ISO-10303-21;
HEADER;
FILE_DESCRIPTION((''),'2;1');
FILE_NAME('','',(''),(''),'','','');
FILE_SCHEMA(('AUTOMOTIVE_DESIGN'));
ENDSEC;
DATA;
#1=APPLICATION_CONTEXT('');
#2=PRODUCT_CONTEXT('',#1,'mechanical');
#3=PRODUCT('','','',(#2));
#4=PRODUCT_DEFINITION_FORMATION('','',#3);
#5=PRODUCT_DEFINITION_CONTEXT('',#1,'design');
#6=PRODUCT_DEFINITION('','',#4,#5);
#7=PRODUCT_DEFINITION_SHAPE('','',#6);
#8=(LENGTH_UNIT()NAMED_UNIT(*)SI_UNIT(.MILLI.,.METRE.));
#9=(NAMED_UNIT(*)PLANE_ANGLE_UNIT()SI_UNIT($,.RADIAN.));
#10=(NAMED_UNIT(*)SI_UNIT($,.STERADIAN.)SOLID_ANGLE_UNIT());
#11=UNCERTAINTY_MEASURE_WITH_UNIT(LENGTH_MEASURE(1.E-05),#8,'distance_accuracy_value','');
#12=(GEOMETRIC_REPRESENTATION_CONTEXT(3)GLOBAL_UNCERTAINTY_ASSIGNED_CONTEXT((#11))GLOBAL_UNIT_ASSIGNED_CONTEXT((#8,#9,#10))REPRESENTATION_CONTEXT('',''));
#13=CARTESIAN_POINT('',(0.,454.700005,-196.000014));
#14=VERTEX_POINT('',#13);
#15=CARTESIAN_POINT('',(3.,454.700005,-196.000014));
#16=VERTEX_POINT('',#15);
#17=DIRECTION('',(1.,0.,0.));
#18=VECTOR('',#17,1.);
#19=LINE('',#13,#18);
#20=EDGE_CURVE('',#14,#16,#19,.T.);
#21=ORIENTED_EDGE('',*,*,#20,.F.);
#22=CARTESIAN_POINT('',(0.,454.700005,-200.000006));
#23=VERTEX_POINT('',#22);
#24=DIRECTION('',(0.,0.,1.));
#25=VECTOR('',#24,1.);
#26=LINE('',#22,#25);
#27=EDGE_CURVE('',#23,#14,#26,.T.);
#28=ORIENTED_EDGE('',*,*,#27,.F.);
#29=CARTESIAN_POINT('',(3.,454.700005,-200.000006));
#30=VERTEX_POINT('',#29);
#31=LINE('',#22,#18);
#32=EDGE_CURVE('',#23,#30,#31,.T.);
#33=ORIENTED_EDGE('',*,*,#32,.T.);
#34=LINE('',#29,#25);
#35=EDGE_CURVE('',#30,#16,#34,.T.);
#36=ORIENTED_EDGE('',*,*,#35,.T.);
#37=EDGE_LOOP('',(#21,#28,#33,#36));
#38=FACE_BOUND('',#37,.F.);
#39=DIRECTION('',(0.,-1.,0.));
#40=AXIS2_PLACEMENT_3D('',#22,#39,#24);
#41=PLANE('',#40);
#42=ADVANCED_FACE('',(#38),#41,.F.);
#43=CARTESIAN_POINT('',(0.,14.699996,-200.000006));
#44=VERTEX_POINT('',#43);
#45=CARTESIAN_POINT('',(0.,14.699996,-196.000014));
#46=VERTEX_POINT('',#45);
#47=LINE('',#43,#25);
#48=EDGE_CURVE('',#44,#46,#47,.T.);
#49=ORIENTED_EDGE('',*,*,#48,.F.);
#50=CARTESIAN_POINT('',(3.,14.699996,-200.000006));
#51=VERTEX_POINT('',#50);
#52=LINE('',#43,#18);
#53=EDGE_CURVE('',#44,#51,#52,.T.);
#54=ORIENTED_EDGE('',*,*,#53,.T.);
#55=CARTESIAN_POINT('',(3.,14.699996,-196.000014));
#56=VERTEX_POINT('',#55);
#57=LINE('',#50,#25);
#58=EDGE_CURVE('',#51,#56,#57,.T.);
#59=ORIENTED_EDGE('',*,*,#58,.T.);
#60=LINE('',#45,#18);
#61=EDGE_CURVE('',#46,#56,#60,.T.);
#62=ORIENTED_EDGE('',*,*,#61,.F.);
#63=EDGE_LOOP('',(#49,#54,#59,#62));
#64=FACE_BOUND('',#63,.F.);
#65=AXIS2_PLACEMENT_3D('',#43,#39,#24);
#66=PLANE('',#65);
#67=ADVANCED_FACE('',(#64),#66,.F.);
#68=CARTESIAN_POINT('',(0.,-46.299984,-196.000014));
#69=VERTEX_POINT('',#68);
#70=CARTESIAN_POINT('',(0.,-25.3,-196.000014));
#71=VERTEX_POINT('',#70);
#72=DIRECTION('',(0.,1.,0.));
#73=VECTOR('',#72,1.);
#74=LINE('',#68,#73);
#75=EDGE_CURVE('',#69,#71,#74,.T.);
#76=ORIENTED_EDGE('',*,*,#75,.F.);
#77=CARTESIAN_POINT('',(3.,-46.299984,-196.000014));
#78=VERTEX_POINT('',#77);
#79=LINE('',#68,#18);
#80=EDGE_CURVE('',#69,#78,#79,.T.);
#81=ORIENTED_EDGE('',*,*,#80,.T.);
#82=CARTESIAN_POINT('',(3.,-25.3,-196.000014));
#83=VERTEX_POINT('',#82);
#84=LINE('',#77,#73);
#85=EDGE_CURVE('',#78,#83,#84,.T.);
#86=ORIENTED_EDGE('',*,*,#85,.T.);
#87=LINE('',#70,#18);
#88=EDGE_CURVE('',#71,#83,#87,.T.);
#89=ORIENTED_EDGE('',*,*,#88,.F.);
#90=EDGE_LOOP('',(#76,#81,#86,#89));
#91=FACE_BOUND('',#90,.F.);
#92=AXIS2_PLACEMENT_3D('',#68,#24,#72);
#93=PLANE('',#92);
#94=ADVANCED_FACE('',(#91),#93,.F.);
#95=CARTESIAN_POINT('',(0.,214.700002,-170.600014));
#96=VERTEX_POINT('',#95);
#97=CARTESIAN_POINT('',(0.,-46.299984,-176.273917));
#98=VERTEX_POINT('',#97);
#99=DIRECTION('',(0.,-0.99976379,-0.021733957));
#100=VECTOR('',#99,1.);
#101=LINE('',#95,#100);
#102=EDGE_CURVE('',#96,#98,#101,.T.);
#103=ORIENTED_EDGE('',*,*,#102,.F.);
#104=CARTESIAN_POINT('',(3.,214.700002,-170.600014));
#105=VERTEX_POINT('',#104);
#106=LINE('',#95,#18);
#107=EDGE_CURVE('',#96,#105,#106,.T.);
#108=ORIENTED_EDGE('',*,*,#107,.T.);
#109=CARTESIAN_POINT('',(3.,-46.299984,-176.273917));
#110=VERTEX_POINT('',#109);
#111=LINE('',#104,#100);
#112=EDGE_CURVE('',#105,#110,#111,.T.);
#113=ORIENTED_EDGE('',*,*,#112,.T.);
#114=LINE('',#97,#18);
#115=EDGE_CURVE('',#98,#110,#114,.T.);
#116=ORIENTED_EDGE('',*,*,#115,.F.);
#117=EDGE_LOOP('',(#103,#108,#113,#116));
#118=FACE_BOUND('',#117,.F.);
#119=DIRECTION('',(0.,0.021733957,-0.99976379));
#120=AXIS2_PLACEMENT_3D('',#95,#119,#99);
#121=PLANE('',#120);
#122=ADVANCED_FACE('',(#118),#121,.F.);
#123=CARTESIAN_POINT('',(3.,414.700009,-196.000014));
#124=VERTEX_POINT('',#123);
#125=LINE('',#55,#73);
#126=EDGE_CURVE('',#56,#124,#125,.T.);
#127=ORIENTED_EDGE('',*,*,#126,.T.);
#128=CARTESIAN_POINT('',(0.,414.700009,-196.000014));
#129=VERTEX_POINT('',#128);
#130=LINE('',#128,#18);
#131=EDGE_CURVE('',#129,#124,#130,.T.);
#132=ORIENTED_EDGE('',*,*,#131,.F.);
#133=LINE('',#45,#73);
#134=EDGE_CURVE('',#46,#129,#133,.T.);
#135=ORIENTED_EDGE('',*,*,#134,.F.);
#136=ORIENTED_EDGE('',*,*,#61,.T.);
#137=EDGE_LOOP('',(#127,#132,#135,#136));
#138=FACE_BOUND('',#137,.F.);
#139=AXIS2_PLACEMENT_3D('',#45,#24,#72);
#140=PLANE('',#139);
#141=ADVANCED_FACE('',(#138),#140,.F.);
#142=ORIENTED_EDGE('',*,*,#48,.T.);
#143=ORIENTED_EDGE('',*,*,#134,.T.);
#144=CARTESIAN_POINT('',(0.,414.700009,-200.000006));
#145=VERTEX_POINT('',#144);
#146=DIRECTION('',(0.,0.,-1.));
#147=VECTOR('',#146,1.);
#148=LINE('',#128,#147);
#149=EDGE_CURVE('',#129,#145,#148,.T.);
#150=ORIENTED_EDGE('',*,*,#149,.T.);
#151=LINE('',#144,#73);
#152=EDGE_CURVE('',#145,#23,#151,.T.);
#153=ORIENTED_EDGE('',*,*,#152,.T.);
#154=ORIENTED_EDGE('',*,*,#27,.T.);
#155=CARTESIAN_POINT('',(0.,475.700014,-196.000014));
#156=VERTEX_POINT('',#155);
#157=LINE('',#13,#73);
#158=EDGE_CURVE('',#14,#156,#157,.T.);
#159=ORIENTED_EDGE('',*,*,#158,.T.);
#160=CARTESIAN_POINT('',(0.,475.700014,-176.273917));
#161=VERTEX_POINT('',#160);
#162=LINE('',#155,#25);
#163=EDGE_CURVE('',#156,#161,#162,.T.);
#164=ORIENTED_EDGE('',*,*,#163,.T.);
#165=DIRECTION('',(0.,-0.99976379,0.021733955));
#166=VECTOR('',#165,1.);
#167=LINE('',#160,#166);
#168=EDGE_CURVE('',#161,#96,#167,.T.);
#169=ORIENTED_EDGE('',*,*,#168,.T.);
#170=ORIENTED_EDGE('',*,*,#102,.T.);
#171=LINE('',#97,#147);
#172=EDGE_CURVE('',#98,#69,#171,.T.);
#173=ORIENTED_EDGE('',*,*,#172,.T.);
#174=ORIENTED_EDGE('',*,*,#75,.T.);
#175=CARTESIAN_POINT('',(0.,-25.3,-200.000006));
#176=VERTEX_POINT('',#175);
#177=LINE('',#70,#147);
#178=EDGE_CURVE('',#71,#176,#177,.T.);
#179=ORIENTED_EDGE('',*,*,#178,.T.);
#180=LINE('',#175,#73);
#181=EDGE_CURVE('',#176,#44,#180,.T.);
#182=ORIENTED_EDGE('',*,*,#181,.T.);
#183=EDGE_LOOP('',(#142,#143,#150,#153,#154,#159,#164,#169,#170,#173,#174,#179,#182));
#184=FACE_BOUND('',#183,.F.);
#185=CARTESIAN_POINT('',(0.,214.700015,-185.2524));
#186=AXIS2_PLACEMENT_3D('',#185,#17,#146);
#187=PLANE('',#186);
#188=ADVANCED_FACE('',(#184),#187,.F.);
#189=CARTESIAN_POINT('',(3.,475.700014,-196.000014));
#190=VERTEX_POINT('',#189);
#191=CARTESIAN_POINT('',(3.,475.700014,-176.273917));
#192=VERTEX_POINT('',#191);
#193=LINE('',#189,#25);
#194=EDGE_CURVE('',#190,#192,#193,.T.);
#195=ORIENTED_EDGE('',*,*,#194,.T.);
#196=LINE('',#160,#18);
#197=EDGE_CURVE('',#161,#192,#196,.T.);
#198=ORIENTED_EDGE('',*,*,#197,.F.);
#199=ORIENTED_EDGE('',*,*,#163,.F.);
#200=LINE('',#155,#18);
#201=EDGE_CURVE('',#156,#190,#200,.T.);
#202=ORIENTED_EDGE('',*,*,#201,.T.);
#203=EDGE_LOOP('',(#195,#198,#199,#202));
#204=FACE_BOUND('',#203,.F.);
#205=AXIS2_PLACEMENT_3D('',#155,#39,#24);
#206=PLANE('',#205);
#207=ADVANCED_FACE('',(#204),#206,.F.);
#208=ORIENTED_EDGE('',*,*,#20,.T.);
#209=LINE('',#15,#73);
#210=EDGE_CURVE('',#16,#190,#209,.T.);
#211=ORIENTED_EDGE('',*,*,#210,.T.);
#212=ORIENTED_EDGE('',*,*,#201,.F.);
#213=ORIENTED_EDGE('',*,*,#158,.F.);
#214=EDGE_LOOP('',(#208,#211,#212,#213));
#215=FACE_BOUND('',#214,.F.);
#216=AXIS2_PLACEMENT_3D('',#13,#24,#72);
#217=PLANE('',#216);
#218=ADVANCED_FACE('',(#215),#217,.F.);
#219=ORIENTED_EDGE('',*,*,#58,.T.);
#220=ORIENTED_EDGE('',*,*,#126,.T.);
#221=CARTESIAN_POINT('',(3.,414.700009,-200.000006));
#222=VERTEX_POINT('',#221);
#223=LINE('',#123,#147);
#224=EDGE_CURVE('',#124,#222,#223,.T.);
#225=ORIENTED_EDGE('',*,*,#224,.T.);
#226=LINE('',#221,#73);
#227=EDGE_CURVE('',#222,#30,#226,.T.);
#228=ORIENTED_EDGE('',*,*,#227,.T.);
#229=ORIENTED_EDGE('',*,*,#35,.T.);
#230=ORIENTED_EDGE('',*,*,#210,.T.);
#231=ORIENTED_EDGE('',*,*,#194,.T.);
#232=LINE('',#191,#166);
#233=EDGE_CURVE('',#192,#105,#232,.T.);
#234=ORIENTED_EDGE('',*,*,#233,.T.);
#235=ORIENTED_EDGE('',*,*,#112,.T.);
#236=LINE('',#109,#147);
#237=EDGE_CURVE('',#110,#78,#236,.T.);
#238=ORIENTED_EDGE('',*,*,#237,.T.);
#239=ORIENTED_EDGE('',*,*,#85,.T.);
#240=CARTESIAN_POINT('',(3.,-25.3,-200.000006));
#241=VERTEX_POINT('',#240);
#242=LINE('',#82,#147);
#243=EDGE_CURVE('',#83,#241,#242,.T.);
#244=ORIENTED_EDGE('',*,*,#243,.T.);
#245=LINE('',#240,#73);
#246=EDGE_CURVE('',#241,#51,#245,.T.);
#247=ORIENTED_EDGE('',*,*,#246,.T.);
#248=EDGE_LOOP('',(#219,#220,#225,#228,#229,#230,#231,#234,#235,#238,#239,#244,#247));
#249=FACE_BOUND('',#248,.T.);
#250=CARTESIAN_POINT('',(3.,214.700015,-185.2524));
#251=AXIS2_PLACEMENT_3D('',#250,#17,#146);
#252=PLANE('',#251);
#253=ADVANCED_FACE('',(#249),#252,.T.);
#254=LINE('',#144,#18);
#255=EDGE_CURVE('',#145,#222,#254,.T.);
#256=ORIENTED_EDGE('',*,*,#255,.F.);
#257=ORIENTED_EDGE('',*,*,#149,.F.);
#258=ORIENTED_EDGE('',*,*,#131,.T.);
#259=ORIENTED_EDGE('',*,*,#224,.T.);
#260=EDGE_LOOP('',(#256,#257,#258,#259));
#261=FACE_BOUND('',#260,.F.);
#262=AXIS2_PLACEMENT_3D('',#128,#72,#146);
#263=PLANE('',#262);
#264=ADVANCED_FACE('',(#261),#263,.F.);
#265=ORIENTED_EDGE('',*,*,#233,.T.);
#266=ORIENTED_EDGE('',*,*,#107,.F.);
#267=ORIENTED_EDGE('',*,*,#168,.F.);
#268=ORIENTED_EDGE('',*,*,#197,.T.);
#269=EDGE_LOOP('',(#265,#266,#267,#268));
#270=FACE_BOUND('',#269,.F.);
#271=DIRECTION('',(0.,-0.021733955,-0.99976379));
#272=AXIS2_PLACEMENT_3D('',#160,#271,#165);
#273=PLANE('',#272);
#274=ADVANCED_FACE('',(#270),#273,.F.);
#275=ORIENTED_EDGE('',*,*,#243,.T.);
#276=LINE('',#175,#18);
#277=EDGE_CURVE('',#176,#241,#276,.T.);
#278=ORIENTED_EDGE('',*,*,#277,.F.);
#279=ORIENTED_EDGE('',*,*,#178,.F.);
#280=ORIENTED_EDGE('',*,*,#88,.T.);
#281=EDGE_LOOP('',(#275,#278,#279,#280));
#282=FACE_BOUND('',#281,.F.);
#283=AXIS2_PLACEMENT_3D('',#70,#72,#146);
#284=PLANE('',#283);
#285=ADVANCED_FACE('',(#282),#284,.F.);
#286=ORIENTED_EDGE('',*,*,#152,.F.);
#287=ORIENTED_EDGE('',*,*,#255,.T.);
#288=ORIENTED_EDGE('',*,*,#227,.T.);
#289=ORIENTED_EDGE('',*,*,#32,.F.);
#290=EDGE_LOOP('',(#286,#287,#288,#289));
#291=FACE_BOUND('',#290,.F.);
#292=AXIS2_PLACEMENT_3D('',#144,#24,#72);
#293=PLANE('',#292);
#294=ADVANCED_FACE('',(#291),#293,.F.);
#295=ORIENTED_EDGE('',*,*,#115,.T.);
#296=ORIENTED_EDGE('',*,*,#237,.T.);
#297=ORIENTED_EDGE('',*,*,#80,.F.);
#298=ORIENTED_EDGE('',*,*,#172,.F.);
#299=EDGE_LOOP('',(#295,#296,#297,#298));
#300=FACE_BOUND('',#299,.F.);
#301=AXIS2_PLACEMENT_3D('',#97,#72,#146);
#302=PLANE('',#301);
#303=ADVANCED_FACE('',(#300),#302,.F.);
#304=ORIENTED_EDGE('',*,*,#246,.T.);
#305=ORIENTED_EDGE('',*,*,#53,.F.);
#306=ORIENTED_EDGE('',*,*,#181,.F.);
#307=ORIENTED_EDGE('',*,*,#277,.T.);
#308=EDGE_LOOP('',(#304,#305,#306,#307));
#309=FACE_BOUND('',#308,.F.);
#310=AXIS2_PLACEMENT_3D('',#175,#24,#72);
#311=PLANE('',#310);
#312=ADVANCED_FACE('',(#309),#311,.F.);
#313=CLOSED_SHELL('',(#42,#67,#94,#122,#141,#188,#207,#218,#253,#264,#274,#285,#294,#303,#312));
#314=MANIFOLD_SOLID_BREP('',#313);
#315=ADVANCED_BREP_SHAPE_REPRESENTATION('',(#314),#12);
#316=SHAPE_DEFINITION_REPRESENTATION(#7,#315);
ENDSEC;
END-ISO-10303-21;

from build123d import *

# Parameters (mm, degrees)
F1_DEPTH = 3
F2_ANGLE = 90


with BuildPart() as f1:
    # F0 (on Right) → F1 (new body)
    with BuildSketch(Plane.YZ):
        Polygon((-9.0260932, 261.0000114), (-14.699996, 0), (-9.0260932, -260.999986), (10.700004, -260.999986), (10.700004, -240.0000026), (14.699996, -240.0000026), (14.699996, -200.0000064), (10.700004, -200.0000064), (10.700004, 200.0000064), (14.699996, 200.0000064), (14.699996, 240.0000026), (10.700004, 240.0000026), (10.700004, 261.0000114), align=None)
    extrude(amount=F1_DEPTH)


with BuildPart() as f1_1:
    # F2: moved
    add(f1.part.rotate(Axis((1.5, 14.699996, -200.0000064), (-1, 0, 0)), F2_ANGLE))


solid = f1_1.part
